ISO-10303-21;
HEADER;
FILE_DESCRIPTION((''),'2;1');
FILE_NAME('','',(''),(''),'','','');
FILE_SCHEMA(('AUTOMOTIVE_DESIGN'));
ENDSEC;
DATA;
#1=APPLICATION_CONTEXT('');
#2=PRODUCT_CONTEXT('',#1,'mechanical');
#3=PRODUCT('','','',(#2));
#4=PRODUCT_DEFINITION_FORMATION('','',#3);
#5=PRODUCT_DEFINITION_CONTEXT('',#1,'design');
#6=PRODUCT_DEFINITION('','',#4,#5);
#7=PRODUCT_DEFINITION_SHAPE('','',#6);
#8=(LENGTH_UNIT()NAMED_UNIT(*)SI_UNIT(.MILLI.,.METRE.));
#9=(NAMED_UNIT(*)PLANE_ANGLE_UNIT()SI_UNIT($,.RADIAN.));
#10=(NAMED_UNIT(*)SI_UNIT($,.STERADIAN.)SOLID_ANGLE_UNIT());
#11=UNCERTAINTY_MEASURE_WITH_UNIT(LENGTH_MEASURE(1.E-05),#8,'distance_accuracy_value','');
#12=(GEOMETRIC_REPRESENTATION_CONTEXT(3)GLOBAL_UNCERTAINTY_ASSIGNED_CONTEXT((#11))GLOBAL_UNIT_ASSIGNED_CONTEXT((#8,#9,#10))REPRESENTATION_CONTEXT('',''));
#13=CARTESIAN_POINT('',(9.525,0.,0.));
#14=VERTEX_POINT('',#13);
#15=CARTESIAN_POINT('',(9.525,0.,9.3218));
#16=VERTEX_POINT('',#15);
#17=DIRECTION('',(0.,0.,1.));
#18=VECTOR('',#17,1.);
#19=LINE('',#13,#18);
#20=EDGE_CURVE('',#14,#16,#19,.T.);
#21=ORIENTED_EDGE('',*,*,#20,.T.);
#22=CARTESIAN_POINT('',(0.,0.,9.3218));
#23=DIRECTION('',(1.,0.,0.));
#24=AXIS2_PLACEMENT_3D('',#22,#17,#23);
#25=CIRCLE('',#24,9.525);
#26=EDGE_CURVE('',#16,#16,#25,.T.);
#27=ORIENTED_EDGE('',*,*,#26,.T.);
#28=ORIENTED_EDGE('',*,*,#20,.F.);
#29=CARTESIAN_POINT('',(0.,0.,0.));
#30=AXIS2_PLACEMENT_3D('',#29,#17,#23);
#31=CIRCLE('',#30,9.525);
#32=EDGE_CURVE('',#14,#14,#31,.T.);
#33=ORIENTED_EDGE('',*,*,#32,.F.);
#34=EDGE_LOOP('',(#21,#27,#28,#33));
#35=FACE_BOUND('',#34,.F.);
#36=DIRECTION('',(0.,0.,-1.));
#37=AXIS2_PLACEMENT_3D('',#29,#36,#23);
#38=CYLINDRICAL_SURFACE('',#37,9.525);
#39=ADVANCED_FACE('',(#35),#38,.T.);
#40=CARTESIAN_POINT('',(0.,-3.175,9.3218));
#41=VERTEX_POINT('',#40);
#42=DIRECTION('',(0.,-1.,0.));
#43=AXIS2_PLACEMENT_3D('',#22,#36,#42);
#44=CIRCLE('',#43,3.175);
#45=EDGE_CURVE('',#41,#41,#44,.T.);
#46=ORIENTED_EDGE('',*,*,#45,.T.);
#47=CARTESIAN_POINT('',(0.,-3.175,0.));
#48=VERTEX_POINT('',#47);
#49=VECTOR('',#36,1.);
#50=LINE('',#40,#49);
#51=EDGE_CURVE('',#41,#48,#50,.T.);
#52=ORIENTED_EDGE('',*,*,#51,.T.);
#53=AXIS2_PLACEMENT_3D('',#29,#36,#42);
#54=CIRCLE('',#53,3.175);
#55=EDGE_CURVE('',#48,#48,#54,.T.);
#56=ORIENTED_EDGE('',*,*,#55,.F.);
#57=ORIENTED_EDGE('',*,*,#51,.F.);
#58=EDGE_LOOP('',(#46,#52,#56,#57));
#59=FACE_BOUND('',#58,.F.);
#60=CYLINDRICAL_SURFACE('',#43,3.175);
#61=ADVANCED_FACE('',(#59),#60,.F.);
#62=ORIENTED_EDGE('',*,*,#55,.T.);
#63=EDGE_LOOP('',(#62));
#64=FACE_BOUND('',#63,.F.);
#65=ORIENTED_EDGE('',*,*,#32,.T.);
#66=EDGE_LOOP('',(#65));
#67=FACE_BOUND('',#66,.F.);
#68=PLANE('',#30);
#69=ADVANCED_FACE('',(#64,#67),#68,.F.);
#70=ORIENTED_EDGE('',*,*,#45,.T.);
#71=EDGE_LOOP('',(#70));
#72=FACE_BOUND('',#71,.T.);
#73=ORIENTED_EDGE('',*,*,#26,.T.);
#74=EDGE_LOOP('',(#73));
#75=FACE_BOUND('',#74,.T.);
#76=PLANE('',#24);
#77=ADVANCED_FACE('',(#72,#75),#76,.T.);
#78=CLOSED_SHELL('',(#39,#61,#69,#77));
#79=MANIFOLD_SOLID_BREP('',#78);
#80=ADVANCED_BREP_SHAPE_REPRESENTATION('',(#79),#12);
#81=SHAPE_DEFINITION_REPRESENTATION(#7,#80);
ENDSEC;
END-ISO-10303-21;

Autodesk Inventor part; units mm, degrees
ref_plane "YZ Plane" through (0, 0, 0) normal (1, 0, 0) x (0, 1, 0)
ref_plane "XZ Plane" through (0, 0, 0) normal (0, 1, 0) x (-1, 0, 0)
ref_plane "XY Plane" through (0, 0, 0) normal (0, 0, 1) x (1, 0, 0)
sketch "Sketch2" plane through (0, 0, 0) normal (0, 0, 1) x (1, 0, 0)
  circle A0 centre (0, 0) radius 9.525
  dimension "d16" = 19.05
extrude "Extrusion2" add sketch "Sketch2" along normal blind 9.3218
sketch "Sketch3" plane through (0, 0, 9.3218) normal (0, 0, 1) x (1, 0, 0)
  point P0 (0, 0)
hole "Hole1" at (0, 0, 9.3218) direction (0, 0, -1) diameter 6.35 end through all
properties part number "CLB_050_ScissorSliderSpacer" material "Acetal Resin, Black"
